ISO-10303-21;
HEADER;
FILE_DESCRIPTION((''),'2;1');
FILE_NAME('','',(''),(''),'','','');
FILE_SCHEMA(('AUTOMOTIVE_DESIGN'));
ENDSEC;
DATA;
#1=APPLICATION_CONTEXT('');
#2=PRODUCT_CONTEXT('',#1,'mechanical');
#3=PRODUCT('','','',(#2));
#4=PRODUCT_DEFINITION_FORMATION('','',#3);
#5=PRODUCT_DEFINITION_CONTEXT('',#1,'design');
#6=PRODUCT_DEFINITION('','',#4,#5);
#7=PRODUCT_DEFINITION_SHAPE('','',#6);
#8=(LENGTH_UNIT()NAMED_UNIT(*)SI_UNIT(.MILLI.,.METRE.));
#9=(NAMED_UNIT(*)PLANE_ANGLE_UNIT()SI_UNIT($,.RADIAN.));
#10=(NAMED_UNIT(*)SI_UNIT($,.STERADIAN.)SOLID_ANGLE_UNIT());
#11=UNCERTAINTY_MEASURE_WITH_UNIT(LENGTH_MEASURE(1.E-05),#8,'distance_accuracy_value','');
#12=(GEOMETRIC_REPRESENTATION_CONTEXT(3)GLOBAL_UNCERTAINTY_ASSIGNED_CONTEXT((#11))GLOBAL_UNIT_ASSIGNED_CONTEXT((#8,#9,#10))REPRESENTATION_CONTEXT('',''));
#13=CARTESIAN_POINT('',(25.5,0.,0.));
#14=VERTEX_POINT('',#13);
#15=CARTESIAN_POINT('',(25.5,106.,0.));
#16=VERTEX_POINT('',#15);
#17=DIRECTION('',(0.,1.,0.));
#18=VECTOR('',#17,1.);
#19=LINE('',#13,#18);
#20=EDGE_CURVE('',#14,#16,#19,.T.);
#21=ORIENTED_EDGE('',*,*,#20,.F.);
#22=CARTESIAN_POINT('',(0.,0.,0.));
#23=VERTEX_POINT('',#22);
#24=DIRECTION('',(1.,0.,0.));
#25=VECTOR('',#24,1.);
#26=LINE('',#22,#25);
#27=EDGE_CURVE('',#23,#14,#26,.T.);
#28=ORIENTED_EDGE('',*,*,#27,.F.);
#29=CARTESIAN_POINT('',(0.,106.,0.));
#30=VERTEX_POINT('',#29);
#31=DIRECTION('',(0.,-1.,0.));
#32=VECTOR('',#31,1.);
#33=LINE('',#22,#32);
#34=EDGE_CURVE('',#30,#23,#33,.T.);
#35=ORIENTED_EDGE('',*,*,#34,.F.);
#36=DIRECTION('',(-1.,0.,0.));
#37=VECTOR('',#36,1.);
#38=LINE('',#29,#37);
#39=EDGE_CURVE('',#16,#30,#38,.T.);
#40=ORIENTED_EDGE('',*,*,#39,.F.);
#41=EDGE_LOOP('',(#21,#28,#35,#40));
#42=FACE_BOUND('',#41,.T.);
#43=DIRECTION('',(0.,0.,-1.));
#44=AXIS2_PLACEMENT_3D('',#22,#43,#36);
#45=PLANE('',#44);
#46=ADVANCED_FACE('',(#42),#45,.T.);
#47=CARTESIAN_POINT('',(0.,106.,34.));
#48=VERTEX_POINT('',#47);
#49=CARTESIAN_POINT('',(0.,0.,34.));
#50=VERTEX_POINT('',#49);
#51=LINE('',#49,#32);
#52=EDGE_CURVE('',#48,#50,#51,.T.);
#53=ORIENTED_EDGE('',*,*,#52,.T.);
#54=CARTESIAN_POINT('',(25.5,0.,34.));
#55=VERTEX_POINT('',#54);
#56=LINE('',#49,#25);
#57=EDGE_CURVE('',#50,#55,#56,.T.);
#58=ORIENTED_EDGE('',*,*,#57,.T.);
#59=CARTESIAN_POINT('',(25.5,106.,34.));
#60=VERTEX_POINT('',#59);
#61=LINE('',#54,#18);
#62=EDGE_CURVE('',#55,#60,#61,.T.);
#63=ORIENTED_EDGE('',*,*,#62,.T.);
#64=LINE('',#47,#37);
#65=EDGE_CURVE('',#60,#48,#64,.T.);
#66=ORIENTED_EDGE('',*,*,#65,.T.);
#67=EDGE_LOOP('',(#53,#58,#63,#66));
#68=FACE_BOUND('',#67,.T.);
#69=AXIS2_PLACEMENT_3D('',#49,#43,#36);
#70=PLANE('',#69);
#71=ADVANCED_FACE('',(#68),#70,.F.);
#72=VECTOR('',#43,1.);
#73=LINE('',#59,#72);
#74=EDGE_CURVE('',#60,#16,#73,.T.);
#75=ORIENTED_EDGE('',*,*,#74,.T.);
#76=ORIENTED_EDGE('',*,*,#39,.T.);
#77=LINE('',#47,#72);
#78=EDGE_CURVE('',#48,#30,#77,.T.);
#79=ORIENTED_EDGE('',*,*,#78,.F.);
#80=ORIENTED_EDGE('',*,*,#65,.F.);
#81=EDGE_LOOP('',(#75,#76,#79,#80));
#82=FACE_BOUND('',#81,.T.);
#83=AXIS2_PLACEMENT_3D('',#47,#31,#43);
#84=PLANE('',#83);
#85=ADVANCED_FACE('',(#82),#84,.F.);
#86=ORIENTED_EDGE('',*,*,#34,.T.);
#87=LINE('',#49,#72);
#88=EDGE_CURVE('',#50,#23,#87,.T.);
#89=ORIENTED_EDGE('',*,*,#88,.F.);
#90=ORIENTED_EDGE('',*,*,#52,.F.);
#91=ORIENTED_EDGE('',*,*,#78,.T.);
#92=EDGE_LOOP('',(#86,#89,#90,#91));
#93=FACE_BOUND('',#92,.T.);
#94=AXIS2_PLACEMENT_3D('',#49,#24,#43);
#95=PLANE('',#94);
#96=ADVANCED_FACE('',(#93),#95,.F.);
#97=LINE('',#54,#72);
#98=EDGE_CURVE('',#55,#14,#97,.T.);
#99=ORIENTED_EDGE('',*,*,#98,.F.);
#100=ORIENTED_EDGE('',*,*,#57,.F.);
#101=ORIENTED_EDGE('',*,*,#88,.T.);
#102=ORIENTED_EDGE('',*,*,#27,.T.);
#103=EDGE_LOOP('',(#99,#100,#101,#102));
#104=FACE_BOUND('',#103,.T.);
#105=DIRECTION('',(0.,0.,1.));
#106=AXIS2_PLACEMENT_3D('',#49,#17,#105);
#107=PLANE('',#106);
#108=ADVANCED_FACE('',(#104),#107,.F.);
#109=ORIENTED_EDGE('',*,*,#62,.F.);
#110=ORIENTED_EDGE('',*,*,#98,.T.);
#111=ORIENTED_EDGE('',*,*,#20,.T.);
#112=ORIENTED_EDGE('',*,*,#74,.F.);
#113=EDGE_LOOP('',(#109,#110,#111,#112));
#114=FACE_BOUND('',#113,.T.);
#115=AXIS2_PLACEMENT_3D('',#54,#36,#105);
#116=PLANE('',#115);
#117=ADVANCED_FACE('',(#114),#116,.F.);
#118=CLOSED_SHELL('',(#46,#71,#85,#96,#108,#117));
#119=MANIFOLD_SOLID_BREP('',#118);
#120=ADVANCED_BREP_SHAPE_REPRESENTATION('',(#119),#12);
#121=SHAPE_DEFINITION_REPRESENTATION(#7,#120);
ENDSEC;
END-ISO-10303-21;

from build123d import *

# Parameters (mm, degrees)
SKETCH1_W           = 25.5
SKETCH1_H           = 106
BOSS_EXTRUDE1_DEPTH = 34


with BuildPart() as part:
    # Sketch1 → Boss-Extrude1 (new body)
    with BuildSketch(Plane.XY):
        with Locations((12.75, 53)):
            Rectangle(SKETCH1_W, SKETCH1_H)
    extrude(amount=BOSS_EXTRUDE1_DEPTH)


solid = part.part
